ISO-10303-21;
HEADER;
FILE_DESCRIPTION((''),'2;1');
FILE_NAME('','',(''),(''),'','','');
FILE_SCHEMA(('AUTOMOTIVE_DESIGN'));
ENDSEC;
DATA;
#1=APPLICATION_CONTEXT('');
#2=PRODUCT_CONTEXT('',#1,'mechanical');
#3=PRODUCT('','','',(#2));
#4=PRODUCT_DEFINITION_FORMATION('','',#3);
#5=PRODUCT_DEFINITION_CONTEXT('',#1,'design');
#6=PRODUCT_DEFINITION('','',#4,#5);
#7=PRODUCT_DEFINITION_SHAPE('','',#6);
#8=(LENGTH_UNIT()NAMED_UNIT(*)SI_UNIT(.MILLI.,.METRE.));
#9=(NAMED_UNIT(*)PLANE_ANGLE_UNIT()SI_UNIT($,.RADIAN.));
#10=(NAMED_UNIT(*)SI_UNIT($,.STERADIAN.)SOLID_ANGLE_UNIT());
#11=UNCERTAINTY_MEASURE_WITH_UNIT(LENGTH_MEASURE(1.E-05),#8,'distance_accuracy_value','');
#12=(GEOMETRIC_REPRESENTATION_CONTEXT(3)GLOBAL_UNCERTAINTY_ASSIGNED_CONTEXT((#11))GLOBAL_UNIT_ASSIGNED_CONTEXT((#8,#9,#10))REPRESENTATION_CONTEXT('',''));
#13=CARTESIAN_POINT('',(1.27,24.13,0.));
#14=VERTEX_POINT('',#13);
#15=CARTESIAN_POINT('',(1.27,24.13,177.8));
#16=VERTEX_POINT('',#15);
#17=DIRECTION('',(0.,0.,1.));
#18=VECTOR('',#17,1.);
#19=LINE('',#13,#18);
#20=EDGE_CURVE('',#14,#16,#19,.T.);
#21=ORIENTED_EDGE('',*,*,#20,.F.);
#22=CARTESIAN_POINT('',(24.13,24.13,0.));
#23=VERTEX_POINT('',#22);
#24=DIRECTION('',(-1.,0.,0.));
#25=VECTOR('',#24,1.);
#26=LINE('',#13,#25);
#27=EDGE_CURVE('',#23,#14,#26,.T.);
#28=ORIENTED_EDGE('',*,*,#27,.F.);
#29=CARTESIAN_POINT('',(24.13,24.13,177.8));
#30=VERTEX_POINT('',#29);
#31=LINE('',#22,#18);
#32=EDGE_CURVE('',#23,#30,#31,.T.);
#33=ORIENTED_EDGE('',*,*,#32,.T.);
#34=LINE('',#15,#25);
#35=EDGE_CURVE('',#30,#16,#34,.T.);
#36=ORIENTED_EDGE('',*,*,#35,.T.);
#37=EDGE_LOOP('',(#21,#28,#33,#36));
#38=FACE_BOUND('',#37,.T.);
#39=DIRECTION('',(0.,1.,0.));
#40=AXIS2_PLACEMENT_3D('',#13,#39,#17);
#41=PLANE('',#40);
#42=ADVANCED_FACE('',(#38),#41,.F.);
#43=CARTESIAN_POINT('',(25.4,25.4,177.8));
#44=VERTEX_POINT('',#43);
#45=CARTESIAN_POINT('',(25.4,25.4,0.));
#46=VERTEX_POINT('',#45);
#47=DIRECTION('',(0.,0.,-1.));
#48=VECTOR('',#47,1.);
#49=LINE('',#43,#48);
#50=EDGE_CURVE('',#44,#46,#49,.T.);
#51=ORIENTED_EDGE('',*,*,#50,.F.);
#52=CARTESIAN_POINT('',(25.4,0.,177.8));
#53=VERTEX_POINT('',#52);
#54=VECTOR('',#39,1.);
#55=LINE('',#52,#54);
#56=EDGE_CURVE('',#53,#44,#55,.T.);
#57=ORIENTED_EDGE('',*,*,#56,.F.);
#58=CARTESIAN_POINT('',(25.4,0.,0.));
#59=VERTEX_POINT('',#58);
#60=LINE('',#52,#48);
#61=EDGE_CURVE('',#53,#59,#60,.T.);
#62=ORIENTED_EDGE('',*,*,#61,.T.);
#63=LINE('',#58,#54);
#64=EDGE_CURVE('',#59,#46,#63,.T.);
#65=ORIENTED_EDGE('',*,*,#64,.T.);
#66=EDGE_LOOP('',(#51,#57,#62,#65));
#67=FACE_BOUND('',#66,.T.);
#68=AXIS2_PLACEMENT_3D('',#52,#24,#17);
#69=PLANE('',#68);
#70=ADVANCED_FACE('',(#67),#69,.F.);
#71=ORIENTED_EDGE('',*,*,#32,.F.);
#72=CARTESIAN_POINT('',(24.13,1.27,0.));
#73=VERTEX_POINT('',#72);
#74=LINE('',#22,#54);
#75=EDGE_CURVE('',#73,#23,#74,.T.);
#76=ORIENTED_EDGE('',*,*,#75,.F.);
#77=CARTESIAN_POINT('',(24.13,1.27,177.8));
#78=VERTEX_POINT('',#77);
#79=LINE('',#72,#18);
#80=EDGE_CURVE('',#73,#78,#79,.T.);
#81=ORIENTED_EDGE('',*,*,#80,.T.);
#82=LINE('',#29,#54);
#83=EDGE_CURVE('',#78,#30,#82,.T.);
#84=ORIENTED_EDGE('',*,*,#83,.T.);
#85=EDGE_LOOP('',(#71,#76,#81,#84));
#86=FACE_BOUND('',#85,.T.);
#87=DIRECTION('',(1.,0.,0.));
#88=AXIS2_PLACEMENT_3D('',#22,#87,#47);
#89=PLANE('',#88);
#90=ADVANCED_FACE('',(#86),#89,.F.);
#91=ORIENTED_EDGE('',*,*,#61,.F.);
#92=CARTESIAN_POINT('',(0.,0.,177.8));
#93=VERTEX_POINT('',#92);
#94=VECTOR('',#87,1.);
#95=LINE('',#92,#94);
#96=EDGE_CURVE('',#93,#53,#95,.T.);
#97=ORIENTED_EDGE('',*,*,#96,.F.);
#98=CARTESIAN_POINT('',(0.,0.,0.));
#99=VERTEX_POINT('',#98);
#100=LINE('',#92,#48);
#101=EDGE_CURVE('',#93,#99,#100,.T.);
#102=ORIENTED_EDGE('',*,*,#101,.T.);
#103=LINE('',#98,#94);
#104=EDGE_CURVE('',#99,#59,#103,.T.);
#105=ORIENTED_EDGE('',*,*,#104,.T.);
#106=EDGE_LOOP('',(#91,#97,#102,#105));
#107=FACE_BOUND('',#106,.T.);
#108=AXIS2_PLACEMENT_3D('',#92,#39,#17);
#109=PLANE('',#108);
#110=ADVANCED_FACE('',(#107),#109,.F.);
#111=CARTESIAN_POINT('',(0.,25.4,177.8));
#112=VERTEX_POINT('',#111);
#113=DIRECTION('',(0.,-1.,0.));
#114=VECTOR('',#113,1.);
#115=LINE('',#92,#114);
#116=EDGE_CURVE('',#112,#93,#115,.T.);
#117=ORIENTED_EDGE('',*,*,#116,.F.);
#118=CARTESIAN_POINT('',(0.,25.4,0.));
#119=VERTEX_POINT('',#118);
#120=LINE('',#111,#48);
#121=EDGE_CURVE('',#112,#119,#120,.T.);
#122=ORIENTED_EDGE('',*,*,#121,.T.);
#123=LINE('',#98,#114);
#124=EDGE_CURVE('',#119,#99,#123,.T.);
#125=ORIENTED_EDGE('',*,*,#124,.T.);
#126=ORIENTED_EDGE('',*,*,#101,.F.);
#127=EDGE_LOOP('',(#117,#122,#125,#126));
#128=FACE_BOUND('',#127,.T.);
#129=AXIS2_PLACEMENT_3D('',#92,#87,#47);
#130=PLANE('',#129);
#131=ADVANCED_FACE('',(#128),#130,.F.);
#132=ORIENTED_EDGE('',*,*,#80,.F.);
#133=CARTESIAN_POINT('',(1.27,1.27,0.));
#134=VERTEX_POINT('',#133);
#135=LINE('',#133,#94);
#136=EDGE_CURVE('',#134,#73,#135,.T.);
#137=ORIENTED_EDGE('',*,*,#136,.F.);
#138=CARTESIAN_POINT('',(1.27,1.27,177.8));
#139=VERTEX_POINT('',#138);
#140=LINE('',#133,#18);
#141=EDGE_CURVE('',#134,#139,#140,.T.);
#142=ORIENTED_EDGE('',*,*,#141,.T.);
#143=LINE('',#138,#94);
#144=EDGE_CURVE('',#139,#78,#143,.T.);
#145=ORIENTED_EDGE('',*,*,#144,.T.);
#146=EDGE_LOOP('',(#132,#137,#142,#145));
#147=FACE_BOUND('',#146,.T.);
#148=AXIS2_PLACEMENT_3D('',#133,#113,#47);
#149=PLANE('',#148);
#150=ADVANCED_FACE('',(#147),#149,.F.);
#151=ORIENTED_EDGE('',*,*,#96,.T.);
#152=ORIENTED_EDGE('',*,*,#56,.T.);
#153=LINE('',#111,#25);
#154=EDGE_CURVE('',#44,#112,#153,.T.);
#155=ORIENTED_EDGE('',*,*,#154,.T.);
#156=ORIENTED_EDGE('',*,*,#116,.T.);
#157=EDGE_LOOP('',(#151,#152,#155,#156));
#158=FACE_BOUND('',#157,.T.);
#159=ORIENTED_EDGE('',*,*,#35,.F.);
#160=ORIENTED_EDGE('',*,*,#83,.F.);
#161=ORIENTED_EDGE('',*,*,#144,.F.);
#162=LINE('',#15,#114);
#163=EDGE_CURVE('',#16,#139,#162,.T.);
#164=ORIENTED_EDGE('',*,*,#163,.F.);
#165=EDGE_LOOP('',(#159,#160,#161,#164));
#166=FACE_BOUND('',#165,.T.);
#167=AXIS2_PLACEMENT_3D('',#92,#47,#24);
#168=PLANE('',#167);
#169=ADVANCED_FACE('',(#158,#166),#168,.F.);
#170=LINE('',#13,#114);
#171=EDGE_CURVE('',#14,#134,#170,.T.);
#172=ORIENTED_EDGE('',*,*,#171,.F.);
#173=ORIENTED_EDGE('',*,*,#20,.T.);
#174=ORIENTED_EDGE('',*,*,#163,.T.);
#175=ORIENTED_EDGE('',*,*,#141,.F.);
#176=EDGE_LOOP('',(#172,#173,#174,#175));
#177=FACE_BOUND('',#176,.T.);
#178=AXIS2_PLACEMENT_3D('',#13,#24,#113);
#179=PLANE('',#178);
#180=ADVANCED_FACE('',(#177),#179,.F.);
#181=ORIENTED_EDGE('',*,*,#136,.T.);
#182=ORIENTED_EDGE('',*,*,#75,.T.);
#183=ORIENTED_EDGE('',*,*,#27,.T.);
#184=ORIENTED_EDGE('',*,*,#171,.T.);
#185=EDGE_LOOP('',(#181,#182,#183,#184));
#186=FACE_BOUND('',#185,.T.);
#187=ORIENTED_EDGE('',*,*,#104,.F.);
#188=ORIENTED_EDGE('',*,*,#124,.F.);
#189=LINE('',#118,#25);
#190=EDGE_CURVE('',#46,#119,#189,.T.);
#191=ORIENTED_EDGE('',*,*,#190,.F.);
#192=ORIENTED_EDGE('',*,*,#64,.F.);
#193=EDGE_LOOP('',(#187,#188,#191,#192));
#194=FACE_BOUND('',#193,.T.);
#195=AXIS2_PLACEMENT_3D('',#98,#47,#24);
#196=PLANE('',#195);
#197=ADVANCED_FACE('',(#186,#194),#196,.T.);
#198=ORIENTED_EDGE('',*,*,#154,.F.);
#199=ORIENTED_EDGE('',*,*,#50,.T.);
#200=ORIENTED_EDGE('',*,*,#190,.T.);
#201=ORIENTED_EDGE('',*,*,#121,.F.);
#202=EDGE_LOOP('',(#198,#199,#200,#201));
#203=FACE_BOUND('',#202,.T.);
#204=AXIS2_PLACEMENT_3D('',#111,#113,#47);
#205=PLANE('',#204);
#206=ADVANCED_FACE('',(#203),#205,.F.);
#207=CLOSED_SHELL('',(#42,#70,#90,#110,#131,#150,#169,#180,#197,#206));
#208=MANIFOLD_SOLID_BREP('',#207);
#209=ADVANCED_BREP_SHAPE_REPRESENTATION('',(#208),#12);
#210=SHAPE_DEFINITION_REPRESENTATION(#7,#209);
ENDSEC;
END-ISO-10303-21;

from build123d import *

# Parameters (mm, degrees)
SKETCH1_W           = 25.4
SKETCH1_H           = 25.4
BOSS_EXTRUDE1_DEPTH = 177.8
SKETCH2_W           = 22.86
SKETCH2_H           = 22.86
CUT_EXTRUDE1_DEPTH  = 177.8


with BuildPart() as part:
    # Sketch1 → Boss-Extrude1 (new body)
    with BuildSketch(Plane.XY):
        with Locations((12.7, 12.7)):
            Rectangle(SKETCH1_W, SKETCH1_H)
    extrude(amount=BOSS_EXTRUDE1_DEPTH)

    # Sketch2 → Cut-Extrude1 (cut)
    with BuildSketch(Plane.XY.offset(177.8)):
        with Locations((12.7, 12.7)):
            Rectangle(SKETCH2_W, SKETCH2_H)
    extrude(amount=-CUT_EXTRUDE1_DEPTH, mode=Mode.SUBTRACT)


solid = part.part
